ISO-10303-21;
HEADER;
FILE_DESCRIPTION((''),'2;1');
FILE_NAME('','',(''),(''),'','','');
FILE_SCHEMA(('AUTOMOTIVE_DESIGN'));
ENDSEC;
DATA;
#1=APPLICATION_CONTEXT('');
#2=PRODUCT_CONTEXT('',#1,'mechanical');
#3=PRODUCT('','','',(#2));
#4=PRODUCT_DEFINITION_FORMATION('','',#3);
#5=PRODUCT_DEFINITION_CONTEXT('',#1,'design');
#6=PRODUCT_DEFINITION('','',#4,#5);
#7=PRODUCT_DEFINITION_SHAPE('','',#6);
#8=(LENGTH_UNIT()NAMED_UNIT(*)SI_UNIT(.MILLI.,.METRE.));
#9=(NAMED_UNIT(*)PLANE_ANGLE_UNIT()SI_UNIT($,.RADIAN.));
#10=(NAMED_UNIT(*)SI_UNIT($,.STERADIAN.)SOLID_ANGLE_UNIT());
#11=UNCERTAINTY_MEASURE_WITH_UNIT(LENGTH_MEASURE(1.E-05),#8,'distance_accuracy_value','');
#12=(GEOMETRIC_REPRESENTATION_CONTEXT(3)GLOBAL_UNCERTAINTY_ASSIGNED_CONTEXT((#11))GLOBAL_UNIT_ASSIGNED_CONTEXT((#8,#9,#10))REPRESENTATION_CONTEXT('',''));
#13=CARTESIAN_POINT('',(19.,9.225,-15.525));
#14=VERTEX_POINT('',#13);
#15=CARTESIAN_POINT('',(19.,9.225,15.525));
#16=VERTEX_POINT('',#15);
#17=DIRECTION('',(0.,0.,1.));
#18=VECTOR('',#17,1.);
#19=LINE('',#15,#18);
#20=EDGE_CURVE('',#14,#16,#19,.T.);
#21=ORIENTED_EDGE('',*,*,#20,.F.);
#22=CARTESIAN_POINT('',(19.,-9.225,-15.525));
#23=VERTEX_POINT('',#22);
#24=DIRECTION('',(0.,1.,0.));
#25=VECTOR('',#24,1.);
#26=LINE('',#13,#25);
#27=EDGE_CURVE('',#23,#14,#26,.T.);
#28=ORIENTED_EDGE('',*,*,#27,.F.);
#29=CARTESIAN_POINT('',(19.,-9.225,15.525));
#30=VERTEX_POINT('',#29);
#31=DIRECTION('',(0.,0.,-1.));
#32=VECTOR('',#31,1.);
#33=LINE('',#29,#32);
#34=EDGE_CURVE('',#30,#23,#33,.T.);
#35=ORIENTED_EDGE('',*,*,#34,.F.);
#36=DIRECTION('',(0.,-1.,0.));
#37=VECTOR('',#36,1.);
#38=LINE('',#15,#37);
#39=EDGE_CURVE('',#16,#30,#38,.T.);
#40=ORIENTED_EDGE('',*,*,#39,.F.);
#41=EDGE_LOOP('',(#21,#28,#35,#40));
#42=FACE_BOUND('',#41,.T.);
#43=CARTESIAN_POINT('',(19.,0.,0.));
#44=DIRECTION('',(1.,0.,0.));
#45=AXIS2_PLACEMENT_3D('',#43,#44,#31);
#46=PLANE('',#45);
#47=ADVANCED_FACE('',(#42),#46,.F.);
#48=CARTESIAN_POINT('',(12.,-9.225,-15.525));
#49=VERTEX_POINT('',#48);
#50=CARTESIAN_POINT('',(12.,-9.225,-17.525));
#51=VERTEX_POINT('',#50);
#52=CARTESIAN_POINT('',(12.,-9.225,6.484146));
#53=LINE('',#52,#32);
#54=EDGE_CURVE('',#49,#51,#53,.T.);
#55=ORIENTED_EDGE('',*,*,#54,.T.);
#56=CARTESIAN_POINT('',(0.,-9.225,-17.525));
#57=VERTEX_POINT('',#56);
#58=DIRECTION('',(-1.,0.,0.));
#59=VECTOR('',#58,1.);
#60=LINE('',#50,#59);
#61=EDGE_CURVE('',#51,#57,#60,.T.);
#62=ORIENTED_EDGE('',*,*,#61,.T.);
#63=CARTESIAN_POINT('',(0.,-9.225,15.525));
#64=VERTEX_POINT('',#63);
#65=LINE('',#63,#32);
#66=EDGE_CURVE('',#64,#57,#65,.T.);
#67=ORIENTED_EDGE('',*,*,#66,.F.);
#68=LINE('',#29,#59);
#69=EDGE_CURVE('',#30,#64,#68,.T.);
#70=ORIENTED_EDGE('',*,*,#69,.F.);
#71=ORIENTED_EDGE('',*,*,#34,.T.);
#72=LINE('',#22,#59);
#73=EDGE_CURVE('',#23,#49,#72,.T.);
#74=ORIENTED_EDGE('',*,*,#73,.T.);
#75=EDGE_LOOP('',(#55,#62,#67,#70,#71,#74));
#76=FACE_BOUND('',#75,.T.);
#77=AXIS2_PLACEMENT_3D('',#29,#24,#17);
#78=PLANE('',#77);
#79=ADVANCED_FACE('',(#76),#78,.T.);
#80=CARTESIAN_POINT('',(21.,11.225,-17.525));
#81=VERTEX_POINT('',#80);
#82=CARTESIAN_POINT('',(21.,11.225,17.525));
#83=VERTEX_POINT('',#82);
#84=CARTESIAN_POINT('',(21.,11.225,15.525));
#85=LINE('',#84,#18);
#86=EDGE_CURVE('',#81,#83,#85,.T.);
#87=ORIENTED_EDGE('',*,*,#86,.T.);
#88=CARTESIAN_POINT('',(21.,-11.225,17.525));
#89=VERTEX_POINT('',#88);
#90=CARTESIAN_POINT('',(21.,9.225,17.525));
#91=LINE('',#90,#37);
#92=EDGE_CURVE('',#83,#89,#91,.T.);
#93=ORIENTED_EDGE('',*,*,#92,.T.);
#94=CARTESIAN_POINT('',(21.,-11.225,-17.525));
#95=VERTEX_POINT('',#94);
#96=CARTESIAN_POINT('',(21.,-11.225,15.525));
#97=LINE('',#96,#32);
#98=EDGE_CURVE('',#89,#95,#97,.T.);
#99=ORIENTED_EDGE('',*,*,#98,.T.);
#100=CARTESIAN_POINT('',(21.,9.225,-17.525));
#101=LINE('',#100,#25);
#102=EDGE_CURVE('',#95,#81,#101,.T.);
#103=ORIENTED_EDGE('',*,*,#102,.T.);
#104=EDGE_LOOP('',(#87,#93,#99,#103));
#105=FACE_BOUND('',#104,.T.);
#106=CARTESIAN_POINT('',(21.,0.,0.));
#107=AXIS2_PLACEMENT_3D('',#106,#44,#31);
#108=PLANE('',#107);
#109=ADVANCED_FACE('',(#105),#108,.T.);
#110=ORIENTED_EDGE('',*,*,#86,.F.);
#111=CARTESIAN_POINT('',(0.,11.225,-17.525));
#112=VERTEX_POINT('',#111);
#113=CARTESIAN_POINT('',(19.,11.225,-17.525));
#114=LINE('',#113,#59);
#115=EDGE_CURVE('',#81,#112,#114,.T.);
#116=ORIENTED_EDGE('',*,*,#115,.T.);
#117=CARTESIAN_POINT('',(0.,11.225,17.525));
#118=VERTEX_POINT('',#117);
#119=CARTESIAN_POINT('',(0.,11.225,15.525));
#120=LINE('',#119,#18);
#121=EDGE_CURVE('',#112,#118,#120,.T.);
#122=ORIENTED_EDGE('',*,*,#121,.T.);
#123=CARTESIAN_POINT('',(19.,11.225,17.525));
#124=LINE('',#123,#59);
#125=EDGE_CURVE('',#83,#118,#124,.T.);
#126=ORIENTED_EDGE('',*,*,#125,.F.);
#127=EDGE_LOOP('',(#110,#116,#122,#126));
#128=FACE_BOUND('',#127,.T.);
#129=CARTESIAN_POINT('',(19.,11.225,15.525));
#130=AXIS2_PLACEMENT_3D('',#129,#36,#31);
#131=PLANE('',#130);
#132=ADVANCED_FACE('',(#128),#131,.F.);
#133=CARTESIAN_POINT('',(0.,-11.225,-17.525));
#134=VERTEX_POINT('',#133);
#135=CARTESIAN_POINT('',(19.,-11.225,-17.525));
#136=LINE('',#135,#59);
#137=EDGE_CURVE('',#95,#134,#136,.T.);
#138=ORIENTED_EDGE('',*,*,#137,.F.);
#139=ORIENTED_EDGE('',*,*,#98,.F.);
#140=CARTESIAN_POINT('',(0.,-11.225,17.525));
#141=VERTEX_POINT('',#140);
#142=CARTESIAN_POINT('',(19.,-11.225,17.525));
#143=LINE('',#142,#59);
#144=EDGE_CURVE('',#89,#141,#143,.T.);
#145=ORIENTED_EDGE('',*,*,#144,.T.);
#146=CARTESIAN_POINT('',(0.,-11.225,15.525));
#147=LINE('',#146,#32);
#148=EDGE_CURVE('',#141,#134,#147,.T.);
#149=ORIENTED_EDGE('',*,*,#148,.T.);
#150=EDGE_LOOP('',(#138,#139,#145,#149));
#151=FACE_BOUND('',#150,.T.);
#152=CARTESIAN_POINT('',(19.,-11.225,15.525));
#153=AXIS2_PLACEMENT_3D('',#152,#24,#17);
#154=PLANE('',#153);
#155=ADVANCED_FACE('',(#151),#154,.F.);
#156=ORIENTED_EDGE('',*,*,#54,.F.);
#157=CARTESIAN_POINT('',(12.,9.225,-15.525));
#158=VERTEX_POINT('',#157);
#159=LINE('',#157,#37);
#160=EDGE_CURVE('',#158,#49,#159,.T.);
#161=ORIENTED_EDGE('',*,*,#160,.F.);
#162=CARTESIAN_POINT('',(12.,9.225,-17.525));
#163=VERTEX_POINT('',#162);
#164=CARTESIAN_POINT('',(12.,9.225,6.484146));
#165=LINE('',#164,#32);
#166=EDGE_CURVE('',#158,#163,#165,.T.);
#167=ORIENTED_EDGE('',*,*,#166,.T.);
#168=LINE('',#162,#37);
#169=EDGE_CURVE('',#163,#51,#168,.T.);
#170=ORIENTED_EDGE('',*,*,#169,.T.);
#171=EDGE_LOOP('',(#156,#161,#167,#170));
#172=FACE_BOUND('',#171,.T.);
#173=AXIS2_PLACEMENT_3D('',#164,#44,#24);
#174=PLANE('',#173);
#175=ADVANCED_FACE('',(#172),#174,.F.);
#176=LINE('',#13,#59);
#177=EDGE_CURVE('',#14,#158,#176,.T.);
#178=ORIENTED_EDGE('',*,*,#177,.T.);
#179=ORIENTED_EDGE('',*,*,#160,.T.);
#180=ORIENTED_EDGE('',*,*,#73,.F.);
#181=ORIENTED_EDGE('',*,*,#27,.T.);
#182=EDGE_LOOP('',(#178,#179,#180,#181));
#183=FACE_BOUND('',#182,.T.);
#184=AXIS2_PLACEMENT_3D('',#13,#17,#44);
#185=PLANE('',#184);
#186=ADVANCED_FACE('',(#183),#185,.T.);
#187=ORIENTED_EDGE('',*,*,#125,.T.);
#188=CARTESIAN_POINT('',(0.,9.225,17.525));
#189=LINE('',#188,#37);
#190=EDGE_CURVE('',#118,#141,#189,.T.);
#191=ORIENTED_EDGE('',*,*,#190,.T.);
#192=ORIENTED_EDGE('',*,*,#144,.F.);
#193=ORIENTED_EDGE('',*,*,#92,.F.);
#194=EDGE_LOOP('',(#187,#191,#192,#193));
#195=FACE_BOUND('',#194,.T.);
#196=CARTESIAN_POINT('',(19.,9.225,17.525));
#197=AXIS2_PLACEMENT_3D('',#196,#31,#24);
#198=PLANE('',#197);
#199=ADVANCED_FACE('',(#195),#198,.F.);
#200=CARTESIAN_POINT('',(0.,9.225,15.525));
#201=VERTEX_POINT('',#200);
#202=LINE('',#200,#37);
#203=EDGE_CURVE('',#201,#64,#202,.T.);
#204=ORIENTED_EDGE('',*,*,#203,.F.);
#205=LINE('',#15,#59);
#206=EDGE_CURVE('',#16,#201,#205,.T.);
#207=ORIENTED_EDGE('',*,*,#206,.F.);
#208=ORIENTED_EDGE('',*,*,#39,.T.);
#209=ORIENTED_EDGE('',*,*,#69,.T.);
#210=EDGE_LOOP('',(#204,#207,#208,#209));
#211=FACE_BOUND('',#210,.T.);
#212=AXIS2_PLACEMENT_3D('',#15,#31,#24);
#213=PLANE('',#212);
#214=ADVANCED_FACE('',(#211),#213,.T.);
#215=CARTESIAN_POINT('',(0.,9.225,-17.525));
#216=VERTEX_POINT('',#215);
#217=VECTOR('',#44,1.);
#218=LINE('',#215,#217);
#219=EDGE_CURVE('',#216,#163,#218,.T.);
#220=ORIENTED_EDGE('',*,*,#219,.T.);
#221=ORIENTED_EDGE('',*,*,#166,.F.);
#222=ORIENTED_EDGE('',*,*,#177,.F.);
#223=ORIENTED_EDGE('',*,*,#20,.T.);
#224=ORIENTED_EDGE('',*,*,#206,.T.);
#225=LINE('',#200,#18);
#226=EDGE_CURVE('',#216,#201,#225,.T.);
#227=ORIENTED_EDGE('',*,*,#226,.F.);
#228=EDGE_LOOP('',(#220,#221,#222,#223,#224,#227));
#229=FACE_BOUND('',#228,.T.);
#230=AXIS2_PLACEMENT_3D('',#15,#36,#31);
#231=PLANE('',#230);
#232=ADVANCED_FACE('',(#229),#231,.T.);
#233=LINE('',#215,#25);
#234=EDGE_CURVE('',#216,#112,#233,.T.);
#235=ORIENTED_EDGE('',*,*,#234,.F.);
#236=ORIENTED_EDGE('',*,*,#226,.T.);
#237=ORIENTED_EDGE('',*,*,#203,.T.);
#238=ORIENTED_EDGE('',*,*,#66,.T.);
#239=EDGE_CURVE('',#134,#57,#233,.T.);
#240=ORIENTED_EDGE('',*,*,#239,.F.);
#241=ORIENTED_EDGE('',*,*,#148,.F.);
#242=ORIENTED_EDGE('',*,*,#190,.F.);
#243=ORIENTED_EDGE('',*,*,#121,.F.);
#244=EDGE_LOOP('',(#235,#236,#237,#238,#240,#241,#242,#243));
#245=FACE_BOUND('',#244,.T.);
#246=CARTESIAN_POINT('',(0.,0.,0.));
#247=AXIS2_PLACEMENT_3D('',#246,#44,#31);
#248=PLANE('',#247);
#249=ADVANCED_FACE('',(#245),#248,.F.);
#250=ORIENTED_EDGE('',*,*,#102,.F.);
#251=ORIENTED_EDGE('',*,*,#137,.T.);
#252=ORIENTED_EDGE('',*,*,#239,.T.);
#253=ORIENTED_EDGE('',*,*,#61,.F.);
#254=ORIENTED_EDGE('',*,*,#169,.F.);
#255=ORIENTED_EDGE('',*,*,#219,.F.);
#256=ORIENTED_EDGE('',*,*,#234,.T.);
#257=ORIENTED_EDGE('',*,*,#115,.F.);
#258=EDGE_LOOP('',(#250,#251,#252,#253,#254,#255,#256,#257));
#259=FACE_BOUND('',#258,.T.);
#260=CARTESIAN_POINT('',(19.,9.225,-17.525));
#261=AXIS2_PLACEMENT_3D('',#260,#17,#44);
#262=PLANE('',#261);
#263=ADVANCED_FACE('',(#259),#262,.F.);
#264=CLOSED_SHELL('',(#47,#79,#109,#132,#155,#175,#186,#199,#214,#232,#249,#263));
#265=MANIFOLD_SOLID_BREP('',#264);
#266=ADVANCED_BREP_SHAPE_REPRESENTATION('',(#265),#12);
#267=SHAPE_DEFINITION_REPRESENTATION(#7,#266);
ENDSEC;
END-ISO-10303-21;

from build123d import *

# Parameters (mm, degrees)
SKETCH4_W           = 31.05
SKETCH4_H           = 18.45
BOSS_EXTRUDE1_DEPTH = 19
SHELL1_T            = 2
SKETCH5_W           = 12
SKETCH5_H           = 18.45
CUT_EXTRUDE1_DEPTH  = 2


with BuildPart() as part:
    # Sketch4 → Boss-Extrude1 (new body)
    with BuildSketch(Plane(origin=(0, 0, 0), x_dir=(0, 0, -1), z_dir=(1, 0, 0))):
        Rectangle(SKETCH4_W, SKETCH4_H)
    extrude(amount=BOSS_EXTRUDE1_DEPTH)

    # Shell1
    shell1_openings = [part.faces().sort_by_distance(p)[0] for p in [
        (0, 0, 0),
    ]]
    offset(amount=SHELL1_T, openings=shell1_openings, kind=Kind.INTERSECTION)

    # Sketch5 → Cut-Extrude1 (cut)
    with BuildSketch(Plane(origin=(0, 0, -17.525), x_dir=(-1, 0, 0), z_dir=(0, 0, -1))):
        with Locations((-6, 0)):
            Rectangle(SKETCH5_W, SKETCH5_H)
    extrude(amount=-CUT_EXTRUDE1_DEPTH, mode=Mode.SUBTRACT)


solid = part.part
